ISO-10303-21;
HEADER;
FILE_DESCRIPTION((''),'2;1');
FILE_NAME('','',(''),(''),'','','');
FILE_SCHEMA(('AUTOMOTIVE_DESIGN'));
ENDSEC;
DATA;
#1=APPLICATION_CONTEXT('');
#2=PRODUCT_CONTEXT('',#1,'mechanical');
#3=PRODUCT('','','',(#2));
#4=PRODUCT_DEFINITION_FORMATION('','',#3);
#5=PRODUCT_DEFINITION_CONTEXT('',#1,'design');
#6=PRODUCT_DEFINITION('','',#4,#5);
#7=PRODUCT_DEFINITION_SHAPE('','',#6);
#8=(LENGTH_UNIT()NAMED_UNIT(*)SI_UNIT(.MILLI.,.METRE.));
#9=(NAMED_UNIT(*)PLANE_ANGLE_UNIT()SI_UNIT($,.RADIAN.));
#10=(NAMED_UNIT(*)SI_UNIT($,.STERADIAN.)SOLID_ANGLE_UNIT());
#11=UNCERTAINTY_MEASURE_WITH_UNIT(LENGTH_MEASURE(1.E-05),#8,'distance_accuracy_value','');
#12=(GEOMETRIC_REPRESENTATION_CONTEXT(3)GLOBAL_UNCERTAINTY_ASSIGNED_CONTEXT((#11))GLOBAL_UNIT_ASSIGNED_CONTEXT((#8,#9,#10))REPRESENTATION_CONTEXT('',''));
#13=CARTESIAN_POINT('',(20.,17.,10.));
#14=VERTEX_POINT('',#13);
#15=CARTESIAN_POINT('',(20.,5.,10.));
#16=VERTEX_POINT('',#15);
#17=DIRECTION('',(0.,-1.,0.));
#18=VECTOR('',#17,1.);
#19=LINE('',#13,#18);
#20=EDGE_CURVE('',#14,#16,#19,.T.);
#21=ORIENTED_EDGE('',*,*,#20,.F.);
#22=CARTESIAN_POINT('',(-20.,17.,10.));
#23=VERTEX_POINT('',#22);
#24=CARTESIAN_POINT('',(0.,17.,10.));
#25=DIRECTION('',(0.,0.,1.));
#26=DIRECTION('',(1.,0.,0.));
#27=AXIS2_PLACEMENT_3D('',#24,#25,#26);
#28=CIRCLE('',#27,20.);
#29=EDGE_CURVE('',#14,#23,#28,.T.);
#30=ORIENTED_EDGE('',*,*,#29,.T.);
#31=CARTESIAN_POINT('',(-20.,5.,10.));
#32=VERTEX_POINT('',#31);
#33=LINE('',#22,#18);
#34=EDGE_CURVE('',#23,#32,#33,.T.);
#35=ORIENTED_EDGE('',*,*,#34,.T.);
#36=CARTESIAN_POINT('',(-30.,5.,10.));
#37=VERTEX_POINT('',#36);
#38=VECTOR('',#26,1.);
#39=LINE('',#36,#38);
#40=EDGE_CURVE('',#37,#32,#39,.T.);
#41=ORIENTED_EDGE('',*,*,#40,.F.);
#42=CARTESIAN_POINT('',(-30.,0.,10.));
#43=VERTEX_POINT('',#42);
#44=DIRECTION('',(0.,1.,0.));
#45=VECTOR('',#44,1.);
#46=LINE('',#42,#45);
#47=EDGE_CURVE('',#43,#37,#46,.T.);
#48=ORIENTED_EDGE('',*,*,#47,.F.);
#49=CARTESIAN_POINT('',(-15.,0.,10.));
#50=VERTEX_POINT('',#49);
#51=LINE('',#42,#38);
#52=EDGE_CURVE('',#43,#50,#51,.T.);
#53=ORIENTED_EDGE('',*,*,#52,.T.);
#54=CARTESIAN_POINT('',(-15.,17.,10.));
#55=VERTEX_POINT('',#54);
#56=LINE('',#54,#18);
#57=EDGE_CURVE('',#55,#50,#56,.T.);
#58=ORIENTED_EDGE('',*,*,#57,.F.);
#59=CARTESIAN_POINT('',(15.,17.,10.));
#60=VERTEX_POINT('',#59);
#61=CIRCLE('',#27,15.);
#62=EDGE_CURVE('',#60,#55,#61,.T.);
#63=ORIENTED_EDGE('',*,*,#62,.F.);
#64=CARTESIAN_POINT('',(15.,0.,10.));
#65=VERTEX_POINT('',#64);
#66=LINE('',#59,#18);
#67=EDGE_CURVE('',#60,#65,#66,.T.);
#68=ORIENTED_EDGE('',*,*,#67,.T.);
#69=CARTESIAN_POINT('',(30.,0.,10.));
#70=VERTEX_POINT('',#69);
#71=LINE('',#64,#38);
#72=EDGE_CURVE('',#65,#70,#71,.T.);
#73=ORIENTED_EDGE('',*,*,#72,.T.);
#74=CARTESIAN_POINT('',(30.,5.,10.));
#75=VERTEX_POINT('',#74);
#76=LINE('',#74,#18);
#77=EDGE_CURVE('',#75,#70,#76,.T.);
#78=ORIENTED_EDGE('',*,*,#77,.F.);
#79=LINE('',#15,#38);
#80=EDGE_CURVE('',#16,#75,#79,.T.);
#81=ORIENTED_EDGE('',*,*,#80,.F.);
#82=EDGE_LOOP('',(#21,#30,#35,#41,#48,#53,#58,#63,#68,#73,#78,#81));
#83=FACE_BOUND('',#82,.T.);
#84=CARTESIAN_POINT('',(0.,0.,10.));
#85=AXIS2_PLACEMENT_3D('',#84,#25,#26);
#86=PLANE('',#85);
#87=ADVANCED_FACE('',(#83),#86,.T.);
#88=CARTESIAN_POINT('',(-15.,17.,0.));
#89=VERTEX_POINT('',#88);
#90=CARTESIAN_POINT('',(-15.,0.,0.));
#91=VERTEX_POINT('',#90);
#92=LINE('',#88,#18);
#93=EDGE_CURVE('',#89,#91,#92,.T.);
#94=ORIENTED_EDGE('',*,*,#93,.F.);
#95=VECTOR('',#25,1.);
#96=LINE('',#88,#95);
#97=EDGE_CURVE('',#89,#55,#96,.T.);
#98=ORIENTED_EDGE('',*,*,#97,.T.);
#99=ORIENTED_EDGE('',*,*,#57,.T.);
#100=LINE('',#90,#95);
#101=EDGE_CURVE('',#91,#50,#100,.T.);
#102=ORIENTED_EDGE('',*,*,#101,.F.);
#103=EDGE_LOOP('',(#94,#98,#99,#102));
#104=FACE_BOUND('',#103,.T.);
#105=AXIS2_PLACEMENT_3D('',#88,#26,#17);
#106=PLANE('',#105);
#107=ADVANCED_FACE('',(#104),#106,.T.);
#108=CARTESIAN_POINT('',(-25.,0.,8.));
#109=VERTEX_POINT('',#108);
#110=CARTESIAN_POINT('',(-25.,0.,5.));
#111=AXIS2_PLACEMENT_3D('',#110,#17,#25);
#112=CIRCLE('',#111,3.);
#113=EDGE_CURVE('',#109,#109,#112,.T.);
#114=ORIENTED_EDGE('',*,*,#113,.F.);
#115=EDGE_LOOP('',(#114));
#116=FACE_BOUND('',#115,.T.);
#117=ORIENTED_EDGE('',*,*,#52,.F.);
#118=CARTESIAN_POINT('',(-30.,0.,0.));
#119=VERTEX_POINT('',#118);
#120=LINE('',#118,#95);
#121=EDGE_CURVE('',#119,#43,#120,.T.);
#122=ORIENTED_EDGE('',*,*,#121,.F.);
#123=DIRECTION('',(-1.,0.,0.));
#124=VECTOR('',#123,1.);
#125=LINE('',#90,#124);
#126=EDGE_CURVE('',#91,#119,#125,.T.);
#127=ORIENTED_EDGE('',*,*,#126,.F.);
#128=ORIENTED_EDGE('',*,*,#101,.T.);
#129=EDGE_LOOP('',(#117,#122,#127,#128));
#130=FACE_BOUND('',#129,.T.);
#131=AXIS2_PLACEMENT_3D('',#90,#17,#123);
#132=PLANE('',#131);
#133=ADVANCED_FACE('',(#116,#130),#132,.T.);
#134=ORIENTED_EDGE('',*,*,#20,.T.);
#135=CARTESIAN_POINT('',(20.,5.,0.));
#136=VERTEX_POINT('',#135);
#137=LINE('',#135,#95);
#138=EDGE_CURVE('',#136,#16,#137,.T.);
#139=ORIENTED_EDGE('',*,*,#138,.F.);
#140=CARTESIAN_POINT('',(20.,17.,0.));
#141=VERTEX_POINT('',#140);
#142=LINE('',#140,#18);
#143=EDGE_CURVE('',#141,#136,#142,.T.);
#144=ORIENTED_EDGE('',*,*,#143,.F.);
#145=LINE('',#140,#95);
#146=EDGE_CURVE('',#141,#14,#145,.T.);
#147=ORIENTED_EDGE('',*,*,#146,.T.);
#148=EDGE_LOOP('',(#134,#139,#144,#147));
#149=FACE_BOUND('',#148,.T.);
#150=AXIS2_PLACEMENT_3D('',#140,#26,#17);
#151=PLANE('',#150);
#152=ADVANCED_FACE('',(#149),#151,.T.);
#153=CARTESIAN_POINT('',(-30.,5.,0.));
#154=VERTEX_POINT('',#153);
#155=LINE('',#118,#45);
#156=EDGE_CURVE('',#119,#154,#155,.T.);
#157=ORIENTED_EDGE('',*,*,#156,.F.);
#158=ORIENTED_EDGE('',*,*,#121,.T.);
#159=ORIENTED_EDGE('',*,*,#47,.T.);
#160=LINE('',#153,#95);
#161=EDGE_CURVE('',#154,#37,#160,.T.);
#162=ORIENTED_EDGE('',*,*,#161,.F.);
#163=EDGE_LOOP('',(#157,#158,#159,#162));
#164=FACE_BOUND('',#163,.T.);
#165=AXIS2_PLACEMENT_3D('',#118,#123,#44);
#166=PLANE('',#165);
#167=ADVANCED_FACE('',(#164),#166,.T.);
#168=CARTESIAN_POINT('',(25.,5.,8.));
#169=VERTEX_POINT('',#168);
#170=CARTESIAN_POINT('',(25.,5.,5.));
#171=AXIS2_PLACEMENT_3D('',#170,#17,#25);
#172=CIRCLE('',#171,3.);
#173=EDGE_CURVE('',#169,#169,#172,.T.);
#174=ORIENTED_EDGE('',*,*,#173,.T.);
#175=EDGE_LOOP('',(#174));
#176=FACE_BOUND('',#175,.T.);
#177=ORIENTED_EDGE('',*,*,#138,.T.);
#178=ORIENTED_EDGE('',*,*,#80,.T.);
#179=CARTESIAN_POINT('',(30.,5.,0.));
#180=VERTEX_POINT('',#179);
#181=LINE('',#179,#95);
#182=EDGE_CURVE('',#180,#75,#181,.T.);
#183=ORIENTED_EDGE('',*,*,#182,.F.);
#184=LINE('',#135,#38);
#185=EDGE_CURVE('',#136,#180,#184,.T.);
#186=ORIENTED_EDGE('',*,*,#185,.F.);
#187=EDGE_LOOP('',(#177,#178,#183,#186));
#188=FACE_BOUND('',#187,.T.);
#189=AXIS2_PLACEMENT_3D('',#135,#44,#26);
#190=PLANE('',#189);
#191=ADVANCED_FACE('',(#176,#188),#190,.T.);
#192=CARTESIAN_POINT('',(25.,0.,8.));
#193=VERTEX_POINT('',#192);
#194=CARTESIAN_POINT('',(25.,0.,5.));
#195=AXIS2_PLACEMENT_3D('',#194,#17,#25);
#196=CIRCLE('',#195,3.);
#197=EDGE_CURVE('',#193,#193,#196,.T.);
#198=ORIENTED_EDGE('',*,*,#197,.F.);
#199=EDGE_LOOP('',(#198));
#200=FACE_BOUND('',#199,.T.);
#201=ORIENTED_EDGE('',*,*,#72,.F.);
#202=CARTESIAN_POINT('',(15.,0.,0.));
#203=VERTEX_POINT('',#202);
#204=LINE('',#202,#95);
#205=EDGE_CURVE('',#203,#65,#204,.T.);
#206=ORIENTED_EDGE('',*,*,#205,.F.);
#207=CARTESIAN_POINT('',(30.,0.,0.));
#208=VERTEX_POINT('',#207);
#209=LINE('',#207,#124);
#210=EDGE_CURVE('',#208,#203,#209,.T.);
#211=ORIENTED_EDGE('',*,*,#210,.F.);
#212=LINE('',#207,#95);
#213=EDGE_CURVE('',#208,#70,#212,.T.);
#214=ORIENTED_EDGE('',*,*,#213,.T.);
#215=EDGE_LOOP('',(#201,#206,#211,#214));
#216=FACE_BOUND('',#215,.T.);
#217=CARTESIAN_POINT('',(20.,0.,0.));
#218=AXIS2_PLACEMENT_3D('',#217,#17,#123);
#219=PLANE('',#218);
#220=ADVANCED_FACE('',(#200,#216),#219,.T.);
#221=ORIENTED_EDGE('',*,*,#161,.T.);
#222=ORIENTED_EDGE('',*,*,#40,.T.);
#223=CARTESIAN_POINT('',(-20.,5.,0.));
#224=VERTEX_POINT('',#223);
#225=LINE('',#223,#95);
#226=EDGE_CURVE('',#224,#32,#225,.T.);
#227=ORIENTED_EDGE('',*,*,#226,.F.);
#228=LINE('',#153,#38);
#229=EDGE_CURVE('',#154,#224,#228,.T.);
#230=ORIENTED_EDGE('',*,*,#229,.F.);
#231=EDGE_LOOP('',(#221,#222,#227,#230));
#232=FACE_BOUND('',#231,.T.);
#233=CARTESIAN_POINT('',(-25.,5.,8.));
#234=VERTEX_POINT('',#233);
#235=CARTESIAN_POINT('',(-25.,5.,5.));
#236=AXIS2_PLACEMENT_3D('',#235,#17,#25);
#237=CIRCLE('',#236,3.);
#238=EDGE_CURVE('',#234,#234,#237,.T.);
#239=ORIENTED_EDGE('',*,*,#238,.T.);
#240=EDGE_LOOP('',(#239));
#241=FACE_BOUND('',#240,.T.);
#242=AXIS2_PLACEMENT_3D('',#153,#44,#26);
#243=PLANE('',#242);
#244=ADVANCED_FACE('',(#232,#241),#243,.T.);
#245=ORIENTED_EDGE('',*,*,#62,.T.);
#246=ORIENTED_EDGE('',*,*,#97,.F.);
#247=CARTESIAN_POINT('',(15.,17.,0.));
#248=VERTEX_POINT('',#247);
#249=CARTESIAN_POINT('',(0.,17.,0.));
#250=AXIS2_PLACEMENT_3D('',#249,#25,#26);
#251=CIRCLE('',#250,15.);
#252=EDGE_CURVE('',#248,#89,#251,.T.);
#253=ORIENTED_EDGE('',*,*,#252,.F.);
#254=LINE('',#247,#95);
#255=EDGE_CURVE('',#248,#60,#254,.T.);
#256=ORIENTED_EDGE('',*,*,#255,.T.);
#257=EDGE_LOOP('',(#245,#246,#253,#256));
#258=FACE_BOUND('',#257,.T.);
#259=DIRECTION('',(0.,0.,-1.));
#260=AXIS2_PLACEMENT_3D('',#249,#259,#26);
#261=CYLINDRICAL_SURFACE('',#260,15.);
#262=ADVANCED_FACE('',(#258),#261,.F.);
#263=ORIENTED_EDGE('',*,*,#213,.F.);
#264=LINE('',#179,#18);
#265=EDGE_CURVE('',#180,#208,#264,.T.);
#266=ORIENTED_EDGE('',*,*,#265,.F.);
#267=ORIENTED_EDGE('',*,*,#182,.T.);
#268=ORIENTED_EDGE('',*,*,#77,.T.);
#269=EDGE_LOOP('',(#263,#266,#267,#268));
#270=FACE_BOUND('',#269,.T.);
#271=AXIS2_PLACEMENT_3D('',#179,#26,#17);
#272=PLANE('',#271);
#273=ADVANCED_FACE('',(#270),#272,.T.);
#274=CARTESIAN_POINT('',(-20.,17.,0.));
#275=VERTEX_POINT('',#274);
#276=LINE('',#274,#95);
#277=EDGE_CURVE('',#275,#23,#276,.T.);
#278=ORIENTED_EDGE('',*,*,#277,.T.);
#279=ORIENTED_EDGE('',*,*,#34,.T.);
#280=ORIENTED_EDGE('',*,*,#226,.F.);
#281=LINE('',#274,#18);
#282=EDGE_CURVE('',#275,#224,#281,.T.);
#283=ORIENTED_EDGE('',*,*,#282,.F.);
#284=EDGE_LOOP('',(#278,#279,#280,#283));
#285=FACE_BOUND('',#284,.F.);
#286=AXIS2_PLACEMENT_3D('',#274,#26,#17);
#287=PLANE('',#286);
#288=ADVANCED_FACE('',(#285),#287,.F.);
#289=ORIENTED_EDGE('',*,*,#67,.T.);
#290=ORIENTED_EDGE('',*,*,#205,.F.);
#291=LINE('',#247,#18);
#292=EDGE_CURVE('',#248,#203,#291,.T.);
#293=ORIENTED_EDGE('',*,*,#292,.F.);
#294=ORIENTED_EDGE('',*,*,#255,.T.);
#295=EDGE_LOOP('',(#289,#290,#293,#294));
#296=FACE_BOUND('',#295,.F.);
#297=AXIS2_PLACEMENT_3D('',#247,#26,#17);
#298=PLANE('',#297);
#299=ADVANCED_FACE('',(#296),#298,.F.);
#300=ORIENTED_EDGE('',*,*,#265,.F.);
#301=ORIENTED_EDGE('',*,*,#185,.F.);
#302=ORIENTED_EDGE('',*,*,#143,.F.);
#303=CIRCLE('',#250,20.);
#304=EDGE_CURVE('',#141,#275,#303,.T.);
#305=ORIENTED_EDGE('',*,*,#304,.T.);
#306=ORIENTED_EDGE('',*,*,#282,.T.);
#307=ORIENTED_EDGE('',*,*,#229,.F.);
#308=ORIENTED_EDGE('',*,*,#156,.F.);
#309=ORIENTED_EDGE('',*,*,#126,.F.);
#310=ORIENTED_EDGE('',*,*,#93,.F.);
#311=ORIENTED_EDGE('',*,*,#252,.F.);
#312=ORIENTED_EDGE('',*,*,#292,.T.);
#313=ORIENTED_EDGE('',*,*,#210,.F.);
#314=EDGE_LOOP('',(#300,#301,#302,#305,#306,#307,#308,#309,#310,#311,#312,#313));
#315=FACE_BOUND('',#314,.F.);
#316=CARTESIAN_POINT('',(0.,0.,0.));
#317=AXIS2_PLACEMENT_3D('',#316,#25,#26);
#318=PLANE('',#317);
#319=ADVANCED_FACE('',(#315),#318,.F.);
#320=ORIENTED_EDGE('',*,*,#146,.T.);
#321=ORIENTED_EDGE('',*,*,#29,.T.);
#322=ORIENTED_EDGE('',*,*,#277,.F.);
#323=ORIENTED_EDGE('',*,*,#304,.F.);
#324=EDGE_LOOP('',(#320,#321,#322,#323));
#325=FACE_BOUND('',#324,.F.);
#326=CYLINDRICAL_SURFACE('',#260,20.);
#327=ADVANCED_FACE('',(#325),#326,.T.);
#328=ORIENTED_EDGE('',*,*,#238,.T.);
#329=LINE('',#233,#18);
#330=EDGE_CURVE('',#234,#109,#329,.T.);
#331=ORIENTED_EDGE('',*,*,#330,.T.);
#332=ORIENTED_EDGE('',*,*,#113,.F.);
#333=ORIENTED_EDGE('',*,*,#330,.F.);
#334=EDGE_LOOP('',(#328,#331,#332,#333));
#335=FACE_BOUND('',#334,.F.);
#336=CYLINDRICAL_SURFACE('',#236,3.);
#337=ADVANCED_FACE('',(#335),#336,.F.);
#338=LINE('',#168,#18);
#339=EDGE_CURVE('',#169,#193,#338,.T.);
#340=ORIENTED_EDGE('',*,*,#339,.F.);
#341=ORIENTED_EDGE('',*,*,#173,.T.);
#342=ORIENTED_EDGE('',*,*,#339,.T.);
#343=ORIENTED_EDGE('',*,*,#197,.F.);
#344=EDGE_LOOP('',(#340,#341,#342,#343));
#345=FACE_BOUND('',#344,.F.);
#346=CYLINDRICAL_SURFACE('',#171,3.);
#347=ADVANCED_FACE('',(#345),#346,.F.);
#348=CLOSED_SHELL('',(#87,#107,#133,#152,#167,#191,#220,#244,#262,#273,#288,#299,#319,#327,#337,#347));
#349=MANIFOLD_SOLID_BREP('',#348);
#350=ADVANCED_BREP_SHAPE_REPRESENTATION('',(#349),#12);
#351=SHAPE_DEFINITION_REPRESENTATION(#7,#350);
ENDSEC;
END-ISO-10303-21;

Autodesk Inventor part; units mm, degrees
ref_plane "YZ Plane" through (0, 0, 0) normal (1, 0, 0) x (0, 1, 0)
ref_plane "XZ Plane" through (0, 0, 0) normal (0, 1, 0) x (-1, 0, 0)
ref_plane "XY Plane" through (0, 0, 0) normal (0, 0, 1) x (1, 0, 0)
sketch "Sketch1" plane through (0, 0, 0) normal (0, 0, 1) x (1, 0, 0)
  arc A0 (15, 17) -> (-15, 17) centre (0, 17) ccw
  line L0 (20, 17) -> (20, 0)
  line L1 (-20, 17) -> (-20, 0)
  line L2 (30, 5) -> (30, 0)
  line L3 (30, 0) -> (-30, 0)
  line L4 (-30, 0) -> (-30, 5)
  line L5 (15, 17) -> (15, 0)
  line L6 (-15, 17) -> (-15, 0)
  arc A1 (20, 17) -> (-20, 17) centre (0, 17) ccw
  line L7 (-30, 5) -> (-20, 5)
  line L8 (20, 5) -> (30, 5)
  point P0 (0, 0)
  point P1 (0, 0)
  dimension "d0" = 30
  dimension "d1" = 17
  dimension "d3" = 60
  dimension "d5" = 20
  dimension "d6" = 5
  dimension "d7" = 5
extrude "Extrusion1" add sketch "Sketch1" along normal blind 10 contours A0 L6 L3 L1 A1 L0 L5 | L0 L8 L2 L3 | L3 L4 L7 L1
hole "Hole1" at (25, 5, 5) direction (0, -1, 0) diameter 6 end through all
hole "Hole2" at (-25, 5, 5) direction (0, -1, 0) diameter 6 end through all
properties part number "holder"
